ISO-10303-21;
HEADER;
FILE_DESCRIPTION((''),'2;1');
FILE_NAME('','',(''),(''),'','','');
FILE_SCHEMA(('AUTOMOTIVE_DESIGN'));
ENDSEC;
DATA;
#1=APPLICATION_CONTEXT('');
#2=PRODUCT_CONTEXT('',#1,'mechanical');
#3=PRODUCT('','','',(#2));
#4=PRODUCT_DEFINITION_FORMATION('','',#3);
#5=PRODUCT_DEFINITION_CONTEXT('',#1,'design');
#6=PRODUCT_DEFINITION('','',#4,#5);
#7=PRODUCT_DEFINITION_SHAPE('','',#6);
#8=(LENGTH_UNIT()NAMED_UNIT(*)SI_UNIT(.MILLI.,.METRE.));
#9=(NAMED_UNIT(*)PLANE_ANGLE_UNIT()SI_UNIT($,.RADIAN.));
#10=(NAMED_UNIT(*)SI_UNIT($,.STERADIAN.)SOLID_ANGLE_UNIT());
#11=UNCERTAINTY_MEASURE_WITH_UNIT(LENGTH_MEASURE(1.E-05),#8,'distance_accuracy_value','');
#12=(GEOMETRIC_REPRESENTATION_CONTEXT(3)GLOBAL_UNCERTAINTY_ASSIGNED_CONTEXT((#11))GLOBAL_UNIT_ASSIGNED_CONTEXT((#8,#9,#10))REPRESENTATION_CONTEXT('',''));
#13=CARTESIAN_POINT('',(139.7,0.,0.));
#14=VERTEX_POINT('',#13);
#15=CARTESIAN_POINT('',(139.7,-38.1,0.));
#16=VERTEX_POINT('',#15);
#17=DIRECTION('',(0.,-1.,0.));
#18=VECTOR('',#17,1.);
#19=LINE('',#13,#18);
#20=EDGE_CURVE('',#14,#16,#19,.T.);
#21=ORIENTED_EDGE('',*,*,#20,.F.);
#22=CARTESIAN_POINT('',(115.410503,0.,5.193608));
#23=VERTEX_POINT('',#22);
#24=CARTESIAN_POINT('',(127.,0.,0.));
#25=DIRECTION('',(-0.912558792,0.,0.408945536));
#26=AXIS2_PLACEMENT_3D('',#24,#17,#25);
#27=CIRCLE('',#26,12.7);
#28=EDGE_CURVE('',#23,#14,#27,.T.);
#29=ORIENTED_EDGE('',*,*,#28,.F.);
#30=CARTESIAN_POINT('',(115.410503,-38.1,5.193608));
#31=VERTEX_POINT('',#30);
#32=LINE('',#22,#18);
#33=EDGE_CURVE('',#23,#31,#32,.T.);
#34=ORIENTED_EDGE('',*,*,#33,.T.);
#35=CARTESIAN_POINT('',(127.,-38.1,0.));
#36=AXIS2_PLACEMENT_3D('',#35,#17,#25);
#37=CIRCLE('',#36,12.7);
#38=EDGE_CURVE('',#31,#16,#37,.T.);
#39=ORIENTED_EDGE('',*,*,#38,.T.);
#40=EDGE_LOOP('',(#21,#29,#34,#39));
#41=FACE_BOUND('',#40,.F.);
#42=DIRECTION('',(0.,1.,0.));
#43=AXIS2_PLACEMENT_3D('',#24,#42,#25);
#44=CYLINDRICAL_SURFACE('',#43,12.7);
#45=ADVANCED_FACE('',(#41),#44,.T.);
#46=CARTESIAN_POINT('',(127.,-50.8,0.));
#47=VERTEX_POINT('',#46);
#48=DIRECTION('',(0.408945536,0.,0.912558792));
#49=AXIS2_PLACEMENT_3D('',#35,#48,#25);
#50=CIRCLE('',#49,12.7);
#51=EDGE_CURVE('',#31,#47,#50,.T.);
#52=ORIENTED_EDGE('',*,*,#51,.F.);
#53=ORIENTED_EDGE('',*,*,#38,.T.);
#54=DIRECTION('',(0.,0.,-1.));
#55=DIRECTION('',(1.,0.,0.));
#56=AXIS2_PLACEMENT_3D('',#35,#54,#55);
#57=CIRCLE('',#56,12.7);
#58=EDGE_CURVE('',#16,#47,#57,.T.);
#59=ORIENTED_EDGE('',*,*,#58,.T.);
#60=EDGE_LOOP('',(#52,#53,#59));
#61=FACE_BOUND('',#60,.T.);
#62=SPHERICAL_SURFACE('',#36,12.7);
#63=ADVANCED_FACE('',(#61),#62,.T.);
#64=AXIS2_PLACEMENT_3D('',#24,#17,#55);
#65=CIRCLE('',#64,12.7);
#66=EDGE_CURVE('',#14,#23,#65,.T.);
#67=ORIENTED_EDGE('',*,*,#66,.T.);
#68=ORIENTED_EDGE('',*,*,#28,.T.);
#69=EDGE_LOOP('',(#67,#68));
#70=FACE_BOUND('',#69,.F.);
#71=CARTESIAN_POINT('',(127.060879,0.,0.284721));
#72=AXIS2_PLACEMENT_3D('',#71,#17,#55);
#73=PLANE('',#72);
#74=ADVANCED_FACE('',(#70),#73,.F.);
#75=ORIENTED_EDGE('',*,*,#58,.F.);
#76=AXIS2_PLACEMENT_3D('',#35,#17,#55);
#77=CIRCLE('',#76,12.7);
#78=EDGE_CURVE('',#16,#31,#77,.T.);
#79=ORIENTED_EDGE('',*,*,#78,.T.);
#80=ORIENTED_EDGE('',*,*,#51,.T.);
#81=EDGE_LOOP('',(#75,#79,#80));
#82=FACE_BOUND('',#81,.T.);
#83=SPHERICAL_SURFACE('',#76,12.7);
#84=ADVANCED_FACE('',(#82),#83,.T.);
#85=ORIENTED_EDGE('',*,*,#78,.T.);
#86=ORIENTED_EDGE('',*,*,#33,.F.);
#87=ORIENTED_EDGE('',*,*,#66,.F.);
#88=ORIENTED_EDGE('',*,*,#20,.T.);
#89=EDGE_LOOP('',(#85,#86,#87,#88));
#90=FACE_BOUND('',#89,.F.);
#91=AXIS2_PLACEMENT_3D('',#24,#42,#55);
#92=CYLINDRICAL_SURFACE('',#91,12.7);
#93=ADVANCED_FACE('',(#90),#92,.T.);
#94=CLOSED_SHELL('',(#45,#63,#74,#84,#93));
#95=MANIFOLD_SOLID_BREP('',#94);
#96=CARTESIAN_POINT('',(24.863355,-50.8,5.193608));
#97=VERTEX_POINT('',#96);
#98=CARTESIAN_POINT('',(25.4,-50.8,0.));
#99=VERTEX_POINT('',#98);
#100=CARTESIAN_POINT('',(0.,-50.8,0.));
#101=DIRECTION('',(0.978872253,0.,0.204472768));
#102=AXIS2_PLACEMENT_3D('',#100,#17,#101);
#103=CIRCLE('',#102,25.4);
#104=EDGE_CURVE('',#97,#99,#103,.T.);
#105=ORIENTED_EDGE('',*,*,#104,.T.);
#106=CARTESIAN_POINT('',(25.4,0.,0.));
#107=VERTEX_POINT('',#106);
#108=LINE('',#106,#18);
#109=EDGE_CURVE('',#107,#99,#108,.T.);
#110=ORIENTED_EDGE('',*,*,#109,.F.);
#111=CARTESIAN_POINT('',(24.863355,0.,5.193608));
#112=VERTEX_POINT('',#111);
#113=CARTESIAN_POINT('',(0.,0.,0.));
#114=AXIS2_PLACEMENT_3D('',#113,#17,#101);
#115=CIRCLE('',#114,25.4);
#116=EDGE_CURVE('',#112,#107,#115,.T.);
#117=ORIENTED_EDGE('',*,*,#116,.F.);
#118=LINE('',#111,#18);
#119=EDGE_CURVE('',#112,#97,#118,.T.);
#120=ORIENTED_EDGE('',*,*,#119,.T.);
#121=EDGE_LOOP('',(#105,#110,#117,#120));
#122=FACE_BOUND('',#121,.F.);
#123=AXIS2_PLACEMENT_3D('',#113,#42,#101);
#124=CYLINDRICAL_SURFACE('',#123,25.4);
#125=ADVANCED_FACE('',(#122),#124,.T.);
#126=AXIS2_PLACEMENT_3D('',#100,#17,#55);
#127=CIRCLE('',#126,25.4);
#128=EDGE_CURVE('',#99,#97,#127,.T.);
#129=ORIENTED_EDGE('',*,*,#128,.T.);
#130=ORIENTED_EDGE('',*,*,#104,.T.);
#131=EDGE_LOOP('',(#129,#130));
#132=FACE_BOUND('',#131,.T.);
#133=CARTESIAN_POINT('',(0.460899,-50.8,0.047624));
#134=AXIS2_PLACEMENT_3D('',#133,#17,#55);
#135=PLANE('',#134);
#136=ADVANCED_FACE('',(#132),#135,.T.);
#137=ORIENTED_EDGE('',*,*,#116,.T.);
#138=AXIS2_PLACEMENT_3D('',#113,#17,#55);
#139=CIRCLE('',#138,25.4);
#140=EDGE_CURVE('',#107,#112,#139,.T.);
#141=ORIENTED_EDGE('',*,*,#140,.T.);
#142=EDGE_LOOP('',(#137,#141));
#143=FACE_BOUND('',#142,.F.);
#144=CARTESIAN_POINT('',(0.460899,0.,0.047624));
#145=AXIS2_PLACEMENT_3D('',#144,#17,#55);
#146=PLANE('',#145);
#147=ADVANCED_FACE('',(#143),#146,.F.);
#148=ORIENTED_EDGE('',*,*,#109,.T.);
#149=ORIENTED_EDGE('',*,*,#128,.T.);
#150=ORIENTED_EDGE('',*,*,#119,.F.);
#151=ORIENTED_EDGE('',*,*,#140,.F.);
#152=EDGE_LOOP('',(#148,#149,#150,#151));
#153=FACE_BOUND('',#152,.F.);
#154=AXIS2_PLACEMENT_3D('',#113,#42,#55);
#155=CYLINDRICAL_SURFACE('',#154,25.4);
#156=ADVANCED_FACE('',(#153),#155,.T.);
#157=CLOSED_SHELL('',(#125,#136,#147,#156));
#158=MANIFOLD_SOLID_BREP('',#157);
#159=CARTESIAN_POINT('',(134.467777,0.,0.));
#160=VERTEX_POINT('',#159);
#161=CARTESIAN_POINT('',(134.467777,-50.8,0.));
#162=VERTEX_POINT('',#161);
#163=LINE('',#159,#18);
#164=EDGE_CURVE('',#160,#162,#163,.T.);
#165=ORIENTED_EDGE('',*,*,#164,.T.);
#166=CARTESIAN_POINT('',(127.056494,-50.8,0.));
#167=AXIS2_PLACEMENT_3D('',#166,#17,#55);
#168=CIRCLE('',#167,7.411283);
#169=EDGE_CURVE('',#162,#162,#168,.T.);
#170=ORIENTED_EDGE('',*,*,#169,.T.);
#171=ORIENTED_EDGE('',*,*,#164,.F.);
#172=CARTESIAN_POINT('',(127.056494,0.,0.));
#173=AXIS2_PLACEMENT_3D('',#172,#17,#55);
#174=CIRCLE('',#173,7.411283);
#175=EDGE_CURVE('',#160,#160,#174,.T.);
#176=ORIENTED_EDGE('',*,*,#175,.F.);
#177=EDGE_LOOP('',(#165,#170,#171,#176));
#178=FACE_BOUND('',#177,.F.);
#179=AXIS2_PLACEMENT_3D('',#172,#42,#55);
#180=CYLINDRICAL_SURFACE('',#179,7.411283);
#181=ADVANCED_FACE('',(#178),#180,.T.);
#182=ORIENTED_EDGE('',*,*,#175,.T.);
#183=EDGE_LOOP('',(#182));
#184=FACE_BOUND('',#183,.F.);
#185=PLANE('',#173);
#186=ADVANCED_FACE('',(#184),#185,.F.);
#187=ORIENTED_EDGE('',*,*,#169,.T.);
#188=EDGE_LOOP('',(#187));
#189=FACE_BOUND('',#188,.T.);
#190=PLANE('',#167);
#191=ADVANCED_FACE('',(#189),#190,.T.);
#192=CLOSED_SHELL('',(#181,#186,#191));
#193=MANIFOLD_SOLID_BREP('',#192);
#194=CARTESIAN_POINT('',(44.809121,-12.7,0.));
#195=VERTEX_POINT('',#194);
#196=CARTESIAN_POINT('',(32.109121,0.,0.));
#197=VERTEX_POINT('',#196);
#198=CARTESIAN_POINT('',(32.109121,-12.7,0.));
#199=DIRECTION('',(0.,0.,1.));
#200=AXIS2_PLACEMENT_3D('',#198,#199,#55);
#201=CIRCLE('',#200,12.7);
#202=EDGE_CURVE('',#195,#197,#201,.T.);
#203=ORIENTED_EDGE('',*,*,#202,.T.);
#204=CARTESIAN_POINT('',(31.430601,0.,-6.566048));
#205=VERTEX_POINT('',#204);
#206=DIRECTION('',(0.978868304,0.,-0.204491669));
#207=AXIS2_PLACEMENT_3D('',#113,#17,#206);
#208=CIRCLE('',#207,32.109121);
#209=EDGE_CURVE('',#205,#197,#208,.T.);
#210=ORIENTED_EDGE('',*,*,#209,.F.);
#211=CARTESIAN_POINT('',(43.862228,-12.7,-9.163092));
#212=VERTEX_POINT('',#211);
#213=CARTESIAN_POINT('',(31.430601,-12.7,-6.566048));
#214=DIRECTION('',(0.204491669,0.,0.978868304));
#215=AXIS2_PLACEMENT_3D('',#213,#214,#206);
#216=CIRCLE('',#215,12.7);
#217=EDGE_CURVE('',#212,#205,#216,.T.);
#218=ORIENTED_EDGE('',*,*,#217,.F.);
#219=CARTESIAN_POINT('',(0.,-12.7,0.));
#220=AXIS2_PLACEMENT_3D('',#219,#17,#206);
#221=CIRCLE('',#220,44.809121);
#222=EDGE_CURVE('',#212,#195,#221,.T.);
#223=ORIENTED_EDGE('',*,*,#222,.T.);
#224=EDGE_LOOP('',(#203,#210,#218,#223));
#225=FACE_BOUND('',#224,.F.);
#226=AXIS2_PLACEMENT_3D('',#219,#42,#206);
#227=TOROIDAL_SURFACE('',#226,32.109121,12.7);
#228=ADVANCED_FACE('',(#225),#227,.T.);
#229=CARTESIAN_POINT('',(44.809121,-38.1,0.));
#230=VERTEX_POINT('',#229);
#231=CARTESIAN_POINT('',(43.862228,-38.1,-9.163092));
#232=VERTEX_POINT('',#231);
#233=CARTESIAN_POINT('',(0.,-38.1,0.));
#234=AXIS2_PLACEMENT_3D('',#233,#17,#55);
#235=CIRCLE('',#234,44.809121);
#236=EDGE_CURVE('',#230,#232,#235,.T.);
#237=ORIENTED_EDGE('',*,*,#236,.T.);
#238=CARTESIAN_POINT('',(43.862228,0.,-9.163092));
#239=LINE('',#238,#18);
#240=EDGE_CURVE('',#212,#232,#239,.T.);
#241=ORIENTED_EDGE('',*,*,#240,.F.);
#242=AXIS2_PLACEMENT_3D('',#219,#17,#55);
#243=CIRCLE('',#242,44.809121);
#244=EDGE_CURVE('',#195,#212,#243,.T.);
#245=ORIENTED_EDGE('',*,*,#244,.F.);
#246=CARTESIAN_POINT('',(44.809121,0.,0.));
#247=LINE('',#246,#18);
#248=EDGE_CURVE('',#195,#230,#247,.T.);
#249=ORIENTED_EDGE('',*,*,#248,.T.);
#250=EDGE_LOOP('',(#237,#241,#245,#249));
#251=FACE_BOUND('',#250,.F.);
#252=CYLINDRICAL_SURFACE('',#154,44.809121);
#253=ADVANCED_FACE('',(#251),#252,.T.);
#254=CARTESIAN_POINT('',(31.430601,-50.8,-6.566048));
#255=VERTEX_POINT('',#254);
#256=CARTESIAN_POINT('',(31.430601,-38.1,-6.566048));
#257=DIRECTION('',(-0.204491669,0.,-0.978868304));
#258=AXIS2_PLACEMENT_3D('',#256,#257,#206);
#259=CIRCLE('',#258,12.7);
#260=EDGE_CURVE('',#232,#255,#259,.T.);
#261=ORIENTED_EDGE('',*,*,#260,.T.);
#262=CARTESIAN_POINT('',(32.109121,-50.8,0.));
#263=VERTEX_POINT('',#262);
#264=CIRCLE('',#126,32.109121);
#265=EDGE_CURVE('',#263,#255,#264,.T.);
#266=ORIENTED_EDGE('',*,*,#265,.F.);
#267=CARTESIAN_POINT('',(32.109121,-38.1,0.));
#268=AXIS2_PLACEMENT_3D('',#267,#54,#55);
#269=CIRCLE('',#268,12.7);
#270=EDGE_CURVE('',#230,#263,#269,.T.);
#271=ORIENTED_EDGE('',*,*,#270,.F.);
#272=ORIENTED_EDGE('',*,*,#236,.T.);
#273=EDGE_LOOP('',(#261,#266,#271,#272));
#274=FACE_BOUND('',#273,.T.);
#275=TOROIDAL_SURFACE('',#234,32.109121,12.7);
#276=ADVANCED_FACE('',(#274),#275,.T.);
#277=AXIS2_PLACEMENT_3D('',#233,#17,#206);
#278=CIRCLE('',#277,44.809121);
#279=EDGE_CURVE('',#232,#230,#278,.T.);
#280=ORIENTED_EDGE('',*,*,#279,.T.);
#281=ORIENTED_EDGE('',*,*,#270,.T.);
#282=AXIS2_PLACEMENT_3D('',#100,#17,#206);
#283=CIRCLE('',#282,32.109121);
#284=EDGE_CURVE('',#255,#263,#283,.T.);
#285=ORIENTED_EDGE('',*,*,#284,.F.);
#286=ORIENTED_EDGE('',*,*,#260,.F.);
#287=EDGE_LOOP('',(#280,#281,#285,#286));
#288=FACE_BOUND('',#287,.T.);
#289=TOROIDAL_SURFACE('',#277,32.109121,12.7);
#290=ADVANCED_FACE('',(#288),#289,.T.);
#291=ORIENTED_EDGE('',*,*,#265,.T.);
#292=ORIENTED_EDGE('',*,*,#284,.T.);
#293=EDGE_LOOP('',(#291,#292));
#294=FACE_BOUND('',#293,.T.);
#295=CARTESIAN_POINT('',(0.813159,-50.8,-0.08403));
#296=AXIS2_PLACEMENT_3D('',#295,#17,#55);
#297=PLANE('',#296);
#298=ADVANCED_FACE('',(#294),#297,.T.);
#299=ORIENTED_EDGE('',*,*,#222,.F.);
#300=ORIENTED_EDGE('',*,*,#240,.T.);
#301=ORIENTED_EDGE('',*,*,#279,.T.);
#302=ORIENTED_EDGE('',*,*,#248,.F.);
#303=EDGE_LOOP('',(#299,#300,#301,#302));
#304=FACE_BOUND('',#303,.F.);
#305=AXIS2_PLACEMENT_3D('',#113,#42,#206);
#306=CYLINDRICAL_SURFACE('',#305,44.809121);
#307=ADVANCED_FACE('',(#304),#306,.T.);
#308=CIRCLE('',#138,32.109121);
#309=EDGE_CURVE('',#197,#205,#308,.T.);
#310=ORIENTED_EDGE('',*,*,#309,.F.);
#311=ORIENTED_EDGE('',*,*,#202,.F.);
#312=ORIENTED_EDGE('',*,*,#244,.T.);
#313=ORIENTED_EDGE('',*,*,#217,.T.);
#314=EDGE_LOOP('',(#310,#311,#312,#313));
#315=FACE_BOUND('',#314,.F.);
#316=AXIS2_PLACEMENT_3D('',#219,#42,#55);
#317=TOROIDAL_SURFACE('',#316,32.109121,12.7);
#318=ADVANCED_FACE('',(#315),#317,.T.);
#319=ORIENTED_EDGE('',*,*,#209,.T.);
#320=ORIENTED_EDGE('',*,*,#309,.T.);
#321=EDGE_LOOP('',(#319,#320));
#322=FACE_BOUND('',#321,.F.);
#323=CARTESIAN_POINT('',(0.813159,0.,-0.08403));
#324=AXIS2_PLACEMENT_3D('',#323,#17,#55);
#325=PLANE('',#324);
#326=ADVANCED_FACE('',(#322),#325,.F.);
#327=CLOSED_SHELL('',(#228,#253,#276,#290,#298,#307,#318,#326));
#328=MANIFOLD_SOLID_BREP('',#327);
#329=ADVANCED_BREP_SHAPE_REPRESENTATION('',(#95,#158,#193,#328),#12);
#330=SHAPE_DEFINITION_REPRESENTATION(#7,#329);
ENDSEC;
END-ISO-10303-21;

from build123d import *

# Parameters (mm, degrees)
F2_DEPTH = 50.8
F1_R     = 7.41128256
F3_R     = 12.7
F4_R     = 12.7


with BuildPart() as f2:
    # F0 (on Front) → F2 (new body)
    with BuildSketch(Plane.XZ):
        with BuildLine():
            ThreePointArc((24.8633552195, 5.1936083051), (-25.2654826055, -2.6106299454), (25.4, 0))
            ThreePointArc((25.4, 0), (25.2654826055, 2.6106299454), (24.8633552195, 5.1936083051))
        make_face()
    extrude(amount=F2_DEPTH)


with BuildPart() as f2b:
    # F0 (on Front) → F2, piece 2 (new body)
    with BuildSketch(Plane.XZ):
        with BuildLine():
            ThreePointArc((139.7, 0), (129.6555030079, 12.4192714672), (115.4105033425, 5.1936083051))
            ThreePointArc((115.4105033425, 5.1936083051), (124.3444969921, -12.4192714672), (139.7, 0))
        make_face()
    extrude(amount=F2_DEPTH)

    # F4
    f4_edges = [f2b.edges().sort_by_distance(p)[0] for p in [
        (114.3, -50.8, 0),
    ]]
    fillet(f4_edges, radius=F4_R)


with BuildPart() as f2c:
    # F1 (on face) → F2, piece 3 (new body)
    with BuildSketch(Plane.XZ):
        with BuildLine():
            ThreePointArc((43.862228163, -9.1630918905), (44.5717690666, -4.6059434098), (44.8091208619, 0))
            ThreePointArc((44.8091208619, 0), (-44.5717690666, 4.6059434098), (43.862228163, -9.1630918905))
        make_face()
    extrude(amount=F2_DEPTH)

    # F3
    f3_edges = [f2c.edges().sort_by_distance(p)[0] for p in [
        (-43.862228, -50.8, 9.163092),
        (-43.862228, 0, 9.163092),
    ]]
    fillet(f3_edges, radius=F3_R)


with BuildPart() as f2d:
    # F1 (on face) → F2, piece 4 (new body)
    with BuildSketch(Plane.XZ):
        with Locations((127.0564943552, 0)):
            Circle(F1_R)
    extrude(amount=F2_DEPTH)


solid = Compound([f2.part, f2b.part, f2c.part, f2d.part])
